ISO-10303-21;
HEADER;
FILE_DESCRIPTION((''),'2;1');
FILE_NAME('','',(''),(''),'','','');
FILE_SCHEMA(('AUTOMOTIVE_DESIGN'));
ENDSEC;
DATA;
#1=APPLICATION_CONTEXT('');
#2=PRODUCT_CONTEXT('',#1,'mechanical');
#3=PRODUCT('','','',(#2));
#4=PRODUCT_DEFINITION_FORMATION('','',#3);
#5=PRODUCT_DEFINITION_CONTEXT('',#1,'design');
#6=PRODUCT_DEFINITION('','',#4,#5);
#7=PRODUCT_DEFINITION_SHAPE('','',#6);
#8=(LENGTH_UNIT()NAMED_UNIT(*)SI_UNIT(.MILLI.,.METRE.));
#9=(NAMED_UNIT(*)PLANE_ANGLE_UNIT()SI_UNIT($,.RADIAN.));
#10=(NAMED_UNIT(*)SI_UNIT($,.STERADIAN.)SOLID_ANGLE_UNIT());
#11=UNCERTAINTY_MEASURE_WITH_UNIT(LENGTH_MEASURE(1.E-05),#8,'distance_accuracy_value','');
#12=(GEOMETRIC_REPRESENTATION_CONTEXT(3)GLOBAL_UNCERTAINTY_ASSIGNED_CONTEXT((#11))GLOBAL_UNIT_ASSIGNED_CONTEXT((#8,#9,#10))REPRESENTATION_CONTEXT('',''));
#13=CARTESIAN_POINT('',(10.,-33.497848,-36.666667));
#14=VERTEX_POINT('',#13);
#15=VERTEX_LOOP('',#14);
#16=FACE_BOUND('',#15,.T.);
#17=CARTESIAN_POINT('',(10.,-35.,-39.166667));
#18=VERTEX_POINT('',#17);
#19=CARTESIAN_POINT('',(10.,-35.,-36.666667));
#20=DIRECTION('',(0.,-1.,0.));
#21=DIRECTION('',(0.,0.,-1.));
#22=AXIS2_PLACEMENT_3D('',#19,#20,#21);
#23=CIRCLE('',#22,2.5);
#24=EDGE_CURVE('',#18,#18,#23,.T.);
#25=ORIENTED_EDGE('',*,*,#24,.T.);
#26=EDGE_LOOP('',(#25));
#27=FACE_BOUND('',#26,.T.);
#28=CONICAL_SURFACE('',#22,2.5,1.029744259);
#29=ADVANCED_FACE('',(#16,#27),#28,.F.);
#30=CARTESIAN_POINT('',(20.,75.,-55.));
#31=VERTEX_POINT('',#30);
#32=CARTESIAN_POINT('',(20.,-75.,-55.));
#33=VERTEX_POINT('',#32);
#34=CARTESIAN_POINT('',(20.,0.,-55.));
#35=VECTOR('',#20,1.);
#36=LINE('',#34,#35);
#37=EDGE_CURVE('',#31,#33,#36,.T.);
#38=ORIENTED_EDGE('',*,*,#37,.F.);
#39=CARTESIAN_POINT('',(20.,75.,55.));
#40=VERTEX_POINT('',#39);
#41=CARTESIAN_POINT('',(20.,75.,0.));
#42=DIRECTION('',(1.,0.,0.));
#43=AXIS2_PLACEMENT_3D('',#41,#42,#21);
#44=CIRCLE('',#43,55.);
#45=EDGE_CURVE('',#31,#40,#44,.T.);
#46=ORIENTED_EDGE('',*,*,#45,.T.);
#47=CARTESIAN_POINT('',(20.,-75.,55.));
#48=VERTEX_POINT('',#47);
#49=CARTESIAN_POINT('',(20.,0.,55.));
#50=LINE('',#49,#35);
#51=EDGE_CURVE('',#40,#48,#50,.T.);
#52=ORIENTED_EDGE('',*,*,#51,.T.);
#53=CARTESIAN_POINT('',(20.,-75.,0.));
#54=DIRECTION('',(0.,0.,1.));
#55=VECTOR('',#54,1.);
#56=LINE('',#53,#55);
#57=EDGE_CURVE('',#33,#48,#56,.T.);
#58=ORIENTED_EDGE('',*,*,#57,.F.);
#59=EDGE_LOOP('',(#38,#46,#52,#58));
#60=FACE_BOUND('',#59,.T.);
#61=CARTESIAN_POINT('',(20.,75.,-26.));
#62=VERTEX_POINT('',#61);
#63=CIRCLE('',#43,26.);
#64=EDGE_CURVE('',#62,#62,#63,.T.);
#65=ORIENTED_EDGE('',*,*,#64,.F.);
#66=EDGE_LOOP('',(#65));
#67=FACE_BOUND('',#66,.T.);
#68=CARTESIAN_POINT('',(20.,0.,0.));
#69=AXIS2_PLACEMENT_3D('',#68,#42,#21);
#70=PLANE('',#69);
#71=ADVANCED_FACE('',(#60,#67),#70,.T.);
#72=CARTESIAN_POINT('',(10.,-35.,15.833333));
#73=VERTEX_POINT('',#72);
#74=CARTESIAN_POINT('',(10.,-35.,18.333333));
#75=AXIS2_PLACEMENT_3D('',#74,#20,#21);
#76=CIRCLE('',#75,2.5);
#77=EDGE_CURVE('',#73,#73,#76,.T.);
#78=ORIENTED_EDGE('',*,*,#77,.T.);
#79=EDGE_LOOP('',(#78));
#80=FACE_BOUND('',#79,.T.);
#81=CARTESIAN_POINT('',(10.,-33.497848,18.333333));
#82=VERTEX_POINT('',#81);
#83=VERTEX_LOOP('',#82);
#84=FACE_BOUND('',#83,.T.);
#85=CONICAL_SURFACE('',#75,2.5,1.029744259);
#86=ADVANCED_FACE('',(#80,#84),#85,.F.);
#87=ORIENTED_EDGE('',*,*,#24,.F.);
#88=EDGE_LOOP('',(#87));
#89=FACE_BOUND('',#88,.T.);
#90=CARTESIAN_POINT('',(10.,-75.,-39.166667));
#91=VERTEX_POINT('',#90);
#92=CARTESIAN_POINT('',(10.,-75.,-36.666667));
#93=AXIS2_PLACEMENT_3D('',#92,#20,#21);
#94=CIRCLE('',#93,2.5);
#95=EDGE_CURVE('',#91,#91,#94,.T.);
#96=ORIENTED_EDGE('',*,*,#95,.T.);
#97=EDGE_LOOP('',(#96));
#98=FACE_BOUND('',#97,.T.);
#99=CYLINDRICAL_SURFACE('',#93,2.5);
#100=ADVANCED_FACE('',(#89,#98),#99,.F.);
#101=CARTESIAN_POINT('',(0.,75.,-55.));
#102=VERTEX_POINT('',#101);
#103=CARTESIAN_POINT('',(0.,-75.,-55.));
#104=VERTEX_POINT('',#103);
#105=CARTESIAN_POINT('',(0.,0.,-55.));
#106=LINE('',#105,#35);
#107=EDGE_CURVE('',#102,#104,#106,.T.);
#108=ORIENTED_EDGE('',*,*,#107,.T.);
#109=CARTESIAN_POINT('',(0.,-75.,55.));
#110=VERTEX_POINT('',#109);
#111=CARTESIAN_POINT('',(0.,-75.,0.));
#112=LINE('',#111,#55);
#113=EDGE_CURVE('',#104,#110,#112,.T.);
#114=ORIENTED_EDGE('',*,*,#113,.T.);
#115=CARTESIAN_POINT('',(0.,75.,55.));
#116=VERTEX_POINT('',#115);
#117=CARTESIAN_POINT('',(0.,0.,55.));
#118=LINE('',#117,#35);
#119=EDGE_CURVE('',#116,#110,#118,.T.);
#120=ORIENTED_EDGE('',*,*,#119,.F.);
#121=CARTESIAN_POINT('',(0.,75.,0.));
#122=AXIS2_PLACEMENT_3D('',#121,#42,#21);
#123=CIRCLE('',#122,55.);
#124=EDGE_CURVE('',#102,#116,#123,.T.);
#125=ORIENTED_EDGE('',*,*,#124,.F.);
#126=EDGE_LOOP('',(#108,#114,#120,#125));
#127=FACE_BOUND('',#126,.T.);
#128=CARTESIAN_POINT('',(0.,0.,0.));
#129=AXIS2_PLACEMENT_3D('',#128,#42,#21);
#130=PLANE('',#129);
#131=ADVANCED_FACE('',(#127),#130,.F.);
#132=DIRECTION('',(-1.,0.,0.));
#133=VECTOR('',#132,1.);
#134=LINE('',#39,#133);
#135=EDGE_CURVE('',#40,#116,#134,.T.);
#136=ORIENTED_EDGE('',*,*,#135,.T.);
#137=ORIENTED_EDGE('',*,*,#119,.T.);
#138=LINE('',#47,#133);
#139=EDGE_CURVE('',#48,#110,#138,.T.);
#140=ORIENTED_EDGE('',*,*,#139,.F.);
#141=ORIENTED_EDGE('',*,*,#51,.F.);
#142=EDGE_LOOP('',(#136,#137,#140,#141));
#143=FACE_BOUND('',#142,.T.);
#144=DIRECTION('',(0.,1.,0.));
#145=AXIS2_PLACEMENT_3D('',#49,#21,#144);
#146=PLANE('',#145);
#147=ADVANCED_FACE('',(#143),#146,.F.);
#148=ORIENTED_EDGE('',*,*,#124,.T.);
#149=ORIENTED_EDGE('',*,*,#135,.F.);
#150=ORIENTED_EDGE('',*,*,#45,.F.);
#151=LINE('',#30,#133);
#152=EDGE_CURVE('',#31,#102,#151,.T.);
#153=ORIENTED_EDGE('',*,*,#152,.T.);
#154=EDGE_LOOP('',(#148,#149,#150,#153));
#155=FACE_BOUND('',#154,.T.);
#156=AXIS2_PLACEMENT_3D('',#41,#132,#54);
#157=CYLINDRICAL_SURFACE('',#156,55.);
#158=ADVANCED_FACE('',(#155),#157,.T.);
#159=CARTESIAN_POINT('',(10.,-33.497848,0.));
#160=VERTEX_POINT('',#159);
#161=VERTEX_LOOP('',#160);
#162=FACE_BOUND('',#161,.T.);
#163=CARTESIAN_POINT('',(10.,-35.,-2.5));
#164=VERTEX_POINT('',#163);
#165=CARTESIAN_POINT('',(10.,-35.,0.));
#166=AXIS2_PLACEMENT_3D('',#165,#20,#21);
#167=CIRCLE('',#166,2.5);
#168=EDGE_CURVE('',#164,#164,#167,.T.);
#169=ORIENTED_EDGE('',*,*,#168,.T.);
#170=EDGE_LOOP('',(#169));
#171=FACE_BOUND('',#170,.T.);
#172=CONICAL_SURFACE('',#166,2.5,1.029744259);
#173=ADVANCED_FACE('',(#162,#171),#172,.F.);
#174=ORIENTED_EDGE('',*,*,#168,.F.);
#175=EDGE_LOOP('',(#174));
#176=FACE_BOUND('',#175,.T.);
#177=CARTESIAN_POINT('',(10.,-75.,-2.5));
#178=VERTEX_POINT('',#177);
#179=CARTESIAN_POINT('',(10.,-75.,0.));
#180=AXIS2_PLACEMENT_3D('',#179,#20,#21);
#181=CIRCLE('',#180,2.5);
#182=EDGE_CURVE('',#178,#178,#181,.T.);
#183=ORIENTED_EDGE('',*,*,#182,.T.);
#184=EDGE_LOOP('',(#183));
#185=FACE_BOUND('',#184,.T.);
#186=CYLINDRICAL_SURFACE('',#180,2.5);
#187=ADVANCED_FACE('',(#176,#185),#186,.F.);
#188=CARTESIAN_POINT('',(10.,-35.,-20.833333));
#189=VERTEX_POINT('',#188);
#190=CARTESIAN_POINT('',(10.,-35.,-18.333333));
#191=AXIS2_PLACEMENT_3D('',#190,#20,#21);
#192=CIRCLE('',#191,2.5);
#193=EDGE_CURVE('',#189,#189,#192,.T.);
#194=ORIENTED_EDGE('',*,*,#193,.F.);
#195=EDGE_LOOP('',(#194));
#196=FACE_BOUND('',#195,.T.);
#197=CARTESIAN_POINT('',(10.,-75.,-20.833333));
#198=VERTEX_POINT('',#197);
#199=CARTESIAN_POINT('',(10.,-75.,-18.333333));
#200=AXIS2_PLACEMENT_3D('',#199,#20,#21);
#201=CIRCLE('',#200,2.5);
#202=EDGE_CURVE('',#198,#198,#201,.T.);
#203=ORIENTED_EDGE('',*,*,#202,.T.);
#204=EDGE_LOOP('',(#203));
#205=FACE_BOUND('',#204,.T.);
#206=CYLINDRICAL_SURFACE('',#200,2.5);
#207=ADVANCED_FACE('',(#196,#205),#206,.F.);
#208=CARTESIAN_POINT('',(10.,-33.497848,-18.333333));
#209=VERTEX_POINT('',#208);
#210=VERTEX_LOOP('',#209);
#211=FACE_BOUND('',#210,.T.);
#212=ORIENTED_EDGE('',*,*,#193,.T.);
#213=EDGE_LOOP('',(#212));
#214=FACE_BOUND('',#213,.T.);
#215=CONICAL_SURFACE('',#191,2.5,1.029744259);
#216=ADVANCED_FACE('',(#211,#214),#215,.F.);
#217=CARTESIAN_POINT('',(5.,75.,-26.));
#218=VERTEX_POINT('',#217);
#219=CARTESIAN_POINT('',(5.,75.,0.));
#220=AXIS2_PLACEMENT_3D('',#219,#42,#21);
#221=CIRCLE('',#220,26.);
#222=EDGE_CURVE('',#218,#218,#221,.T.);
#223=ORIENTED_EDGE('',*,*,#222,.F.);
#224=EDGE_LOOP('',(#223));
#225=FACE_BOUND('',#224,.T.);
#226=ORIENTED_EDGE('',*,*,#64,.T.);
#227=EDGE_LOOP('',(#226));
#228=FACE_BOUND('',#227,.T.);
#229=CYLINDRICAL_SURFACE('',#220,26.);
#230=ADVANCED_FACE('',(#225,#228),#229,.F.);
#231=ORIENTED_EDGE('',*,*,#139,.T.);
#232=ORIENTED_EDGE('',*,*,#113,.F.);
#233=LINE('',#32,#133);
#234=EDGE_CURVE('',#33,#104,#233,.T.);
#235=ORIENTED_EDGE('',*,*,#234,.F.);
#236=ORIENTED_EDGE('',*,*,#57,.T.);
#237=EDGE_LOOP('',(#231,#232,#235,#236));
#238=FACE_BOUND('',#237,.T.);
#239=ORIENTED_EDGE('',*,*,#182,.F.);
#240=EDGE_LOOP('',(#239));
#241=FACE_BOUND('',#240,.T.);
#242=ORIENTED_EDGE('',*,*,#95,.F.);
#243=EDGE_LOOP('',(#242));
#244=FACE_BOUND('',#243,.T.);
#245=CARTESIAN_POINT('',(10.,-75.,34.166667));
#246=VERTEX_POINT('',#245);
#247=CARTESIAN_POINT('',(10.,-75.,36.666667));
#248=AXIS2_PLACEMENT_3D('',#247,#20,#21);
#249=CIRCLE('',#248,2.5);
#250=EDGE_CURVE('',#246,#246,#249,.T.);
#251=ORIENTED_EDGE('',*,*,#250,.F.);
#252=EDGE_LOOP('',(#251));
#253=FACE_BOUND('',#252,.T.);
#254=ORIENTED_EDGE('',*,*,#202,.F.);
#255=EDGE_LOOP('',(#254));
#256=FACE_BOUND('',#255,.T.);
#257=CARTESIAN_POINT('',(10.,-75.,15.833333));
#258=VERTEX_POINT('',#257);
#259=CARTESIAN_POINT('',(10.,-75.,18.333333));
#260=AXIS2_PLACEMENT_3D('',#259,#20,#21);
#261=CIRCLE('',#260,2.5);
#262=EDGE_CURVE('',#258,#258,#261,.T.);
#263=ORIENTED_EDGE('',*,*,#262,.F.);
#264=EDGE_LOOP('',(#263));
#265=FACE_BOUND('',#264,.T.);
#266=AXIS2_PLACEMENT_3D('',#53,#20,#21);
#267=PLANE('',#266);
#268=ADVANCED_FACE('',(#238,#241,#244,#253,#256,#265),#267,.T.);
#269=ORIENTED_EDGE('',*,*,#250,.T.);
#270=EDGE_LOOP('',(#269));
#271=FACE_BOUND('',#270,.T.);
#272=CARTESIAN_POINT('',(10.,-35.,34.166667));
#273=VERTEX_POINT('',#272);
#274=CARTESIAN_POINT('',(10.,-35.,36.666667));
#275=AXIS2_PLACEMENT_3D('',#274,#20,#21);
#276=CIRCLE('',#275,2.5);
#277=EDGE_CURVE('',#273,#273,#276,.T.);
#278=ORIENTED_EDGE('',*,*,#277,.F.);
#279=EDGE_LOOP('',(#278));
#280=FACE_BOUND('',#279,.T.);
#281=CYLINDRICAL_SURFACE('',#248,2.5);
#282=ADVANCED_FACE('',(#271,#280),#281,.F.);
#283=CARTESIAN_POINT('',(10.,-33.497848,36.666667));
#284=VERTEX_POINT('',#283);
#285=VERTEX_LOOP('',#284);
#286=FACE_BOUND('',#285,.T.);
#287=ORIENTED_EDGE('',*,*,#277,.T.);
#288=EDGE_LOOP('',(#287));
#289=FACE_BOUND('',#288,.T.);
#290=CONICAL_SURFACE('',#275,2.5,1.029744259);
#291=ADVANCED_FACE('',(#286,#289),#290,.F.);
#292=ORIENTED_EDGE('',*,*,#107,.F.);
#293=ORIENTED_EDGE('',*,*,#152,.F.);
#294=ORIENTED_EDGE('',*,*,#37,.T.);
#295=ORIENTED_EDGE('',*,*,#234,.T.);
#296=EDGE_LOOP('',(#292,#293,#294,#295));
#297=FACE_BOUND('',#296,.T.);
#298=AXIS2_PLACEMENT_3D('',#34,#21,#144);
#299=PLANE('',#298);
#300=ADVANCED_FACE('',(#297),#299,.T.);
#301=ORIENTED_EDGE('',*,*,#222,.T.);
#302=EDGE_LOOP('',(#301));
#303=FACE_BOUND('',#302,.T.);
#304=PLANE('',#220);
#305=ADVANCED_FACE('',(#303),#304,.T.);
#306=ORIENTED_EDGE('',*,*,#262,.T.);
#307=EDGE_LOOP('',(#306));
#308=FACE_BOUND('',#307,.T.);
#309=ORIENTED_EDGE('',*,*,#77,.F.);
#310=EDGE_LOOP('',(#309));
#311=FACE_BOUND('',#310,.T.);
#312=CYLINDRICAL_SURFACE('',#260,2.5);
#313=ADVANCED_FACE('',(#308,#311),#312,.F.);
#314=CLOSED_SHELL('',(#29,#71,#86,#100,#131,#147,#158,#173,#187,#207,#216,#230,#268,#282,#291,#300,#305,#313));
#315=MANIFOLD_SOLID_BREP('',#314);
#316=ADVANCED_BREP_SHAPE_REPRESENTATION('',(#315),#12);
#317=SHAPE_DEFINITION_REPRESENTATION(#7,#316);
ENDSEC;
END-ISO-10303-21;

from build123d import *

# Parameters (mm, degrees)
BOSS_EXTRUDE1_DEPTH             = 20
SKETCH3_R                       = 26
CUT_EXTRUDE1_DEPTH              = 15
TAP_DRILL_FOR_M6X1_0_TAP2_D     = 5
TAP_DRILL_FOR_M6X1_0_TAP2_DEPTH = 40
TAP_DRILL_FOR_M6X1_0_TAP2_TIP   = 1.502151548


with BuildPart() as part:
    # Sketch2 → Boss-Extrude1 (new body)
    with BuildSketch(Plane(origin=(0, 0, 0), x_dir=(0, 0, -1), z_dir=(1, 0, 0))):
        with BuildLine():
            Line((55, -75), (55, 75))
            ThreePointArc((55, 75), (0, 20), (-55, 75))
            Line((-55, 75), (-55, -75))
            Line((-55, -75), (55, -75))
        make_face()
        with BuildLine():
            ThreePointArc((-55, 75), (0, 20), (55, 75))
            Line((55, 75), (-55, 75))
        make_face()
        with BuildLine():
            Line((-55, 75), (55, 75))
            ThreePointArc((55, 75), (0, 130), (-55, 75))
        make_face()
    extrude(amount=BOSS_EXTRUDE1_DEPTH)

    # Sketch3 → Cut-Extrude1 (cut)
    with BuildSketch(Plane(origin=(20, 0, 0), x_dir=(0, 0, -1), z_dir=(1, 0, 0))):
        with Locations((0, 75)):
            Circle(SKETCH3_R)
    extrude(amount=-CUT_EXTRUDE1_DEPTH, mode=Mode.SUBTRACT)

    # Tap Drill for M6x1.0 Tap2
    with Locations(Plane(origin=(0, -75, 0), x_dir=(-1, 0, 0), z_dir=(0, -1, 0))):
        with Locations((-10, -36.666666667), (-10, -18.333333333), (-10, 0), (-10, 18.333333333), (-10, 36.666666667)):
            Hole(TAP_DRILL_FOR_M6X1_0_TAP2_D / 2, depth=TAP_DRILL_FOR_M6X1_0_TAP2_DEPTH)
            with Locations((0, 0, -(TAP_DRILL_FOR_M6X1_0_TAP2_DEPTH + TAP_DRILL_FOR_M6X1_0_TAP2_TIP / 2))):  # 118° drill point
                Cone(0, TAP_DRILL_FOR_M6X1_0_TAP2_D / 2, TAP_DRILL_FOR_M6X1_0_TAP2_TIP, mode=Mode.SUBTRACT)


solid = part.part
